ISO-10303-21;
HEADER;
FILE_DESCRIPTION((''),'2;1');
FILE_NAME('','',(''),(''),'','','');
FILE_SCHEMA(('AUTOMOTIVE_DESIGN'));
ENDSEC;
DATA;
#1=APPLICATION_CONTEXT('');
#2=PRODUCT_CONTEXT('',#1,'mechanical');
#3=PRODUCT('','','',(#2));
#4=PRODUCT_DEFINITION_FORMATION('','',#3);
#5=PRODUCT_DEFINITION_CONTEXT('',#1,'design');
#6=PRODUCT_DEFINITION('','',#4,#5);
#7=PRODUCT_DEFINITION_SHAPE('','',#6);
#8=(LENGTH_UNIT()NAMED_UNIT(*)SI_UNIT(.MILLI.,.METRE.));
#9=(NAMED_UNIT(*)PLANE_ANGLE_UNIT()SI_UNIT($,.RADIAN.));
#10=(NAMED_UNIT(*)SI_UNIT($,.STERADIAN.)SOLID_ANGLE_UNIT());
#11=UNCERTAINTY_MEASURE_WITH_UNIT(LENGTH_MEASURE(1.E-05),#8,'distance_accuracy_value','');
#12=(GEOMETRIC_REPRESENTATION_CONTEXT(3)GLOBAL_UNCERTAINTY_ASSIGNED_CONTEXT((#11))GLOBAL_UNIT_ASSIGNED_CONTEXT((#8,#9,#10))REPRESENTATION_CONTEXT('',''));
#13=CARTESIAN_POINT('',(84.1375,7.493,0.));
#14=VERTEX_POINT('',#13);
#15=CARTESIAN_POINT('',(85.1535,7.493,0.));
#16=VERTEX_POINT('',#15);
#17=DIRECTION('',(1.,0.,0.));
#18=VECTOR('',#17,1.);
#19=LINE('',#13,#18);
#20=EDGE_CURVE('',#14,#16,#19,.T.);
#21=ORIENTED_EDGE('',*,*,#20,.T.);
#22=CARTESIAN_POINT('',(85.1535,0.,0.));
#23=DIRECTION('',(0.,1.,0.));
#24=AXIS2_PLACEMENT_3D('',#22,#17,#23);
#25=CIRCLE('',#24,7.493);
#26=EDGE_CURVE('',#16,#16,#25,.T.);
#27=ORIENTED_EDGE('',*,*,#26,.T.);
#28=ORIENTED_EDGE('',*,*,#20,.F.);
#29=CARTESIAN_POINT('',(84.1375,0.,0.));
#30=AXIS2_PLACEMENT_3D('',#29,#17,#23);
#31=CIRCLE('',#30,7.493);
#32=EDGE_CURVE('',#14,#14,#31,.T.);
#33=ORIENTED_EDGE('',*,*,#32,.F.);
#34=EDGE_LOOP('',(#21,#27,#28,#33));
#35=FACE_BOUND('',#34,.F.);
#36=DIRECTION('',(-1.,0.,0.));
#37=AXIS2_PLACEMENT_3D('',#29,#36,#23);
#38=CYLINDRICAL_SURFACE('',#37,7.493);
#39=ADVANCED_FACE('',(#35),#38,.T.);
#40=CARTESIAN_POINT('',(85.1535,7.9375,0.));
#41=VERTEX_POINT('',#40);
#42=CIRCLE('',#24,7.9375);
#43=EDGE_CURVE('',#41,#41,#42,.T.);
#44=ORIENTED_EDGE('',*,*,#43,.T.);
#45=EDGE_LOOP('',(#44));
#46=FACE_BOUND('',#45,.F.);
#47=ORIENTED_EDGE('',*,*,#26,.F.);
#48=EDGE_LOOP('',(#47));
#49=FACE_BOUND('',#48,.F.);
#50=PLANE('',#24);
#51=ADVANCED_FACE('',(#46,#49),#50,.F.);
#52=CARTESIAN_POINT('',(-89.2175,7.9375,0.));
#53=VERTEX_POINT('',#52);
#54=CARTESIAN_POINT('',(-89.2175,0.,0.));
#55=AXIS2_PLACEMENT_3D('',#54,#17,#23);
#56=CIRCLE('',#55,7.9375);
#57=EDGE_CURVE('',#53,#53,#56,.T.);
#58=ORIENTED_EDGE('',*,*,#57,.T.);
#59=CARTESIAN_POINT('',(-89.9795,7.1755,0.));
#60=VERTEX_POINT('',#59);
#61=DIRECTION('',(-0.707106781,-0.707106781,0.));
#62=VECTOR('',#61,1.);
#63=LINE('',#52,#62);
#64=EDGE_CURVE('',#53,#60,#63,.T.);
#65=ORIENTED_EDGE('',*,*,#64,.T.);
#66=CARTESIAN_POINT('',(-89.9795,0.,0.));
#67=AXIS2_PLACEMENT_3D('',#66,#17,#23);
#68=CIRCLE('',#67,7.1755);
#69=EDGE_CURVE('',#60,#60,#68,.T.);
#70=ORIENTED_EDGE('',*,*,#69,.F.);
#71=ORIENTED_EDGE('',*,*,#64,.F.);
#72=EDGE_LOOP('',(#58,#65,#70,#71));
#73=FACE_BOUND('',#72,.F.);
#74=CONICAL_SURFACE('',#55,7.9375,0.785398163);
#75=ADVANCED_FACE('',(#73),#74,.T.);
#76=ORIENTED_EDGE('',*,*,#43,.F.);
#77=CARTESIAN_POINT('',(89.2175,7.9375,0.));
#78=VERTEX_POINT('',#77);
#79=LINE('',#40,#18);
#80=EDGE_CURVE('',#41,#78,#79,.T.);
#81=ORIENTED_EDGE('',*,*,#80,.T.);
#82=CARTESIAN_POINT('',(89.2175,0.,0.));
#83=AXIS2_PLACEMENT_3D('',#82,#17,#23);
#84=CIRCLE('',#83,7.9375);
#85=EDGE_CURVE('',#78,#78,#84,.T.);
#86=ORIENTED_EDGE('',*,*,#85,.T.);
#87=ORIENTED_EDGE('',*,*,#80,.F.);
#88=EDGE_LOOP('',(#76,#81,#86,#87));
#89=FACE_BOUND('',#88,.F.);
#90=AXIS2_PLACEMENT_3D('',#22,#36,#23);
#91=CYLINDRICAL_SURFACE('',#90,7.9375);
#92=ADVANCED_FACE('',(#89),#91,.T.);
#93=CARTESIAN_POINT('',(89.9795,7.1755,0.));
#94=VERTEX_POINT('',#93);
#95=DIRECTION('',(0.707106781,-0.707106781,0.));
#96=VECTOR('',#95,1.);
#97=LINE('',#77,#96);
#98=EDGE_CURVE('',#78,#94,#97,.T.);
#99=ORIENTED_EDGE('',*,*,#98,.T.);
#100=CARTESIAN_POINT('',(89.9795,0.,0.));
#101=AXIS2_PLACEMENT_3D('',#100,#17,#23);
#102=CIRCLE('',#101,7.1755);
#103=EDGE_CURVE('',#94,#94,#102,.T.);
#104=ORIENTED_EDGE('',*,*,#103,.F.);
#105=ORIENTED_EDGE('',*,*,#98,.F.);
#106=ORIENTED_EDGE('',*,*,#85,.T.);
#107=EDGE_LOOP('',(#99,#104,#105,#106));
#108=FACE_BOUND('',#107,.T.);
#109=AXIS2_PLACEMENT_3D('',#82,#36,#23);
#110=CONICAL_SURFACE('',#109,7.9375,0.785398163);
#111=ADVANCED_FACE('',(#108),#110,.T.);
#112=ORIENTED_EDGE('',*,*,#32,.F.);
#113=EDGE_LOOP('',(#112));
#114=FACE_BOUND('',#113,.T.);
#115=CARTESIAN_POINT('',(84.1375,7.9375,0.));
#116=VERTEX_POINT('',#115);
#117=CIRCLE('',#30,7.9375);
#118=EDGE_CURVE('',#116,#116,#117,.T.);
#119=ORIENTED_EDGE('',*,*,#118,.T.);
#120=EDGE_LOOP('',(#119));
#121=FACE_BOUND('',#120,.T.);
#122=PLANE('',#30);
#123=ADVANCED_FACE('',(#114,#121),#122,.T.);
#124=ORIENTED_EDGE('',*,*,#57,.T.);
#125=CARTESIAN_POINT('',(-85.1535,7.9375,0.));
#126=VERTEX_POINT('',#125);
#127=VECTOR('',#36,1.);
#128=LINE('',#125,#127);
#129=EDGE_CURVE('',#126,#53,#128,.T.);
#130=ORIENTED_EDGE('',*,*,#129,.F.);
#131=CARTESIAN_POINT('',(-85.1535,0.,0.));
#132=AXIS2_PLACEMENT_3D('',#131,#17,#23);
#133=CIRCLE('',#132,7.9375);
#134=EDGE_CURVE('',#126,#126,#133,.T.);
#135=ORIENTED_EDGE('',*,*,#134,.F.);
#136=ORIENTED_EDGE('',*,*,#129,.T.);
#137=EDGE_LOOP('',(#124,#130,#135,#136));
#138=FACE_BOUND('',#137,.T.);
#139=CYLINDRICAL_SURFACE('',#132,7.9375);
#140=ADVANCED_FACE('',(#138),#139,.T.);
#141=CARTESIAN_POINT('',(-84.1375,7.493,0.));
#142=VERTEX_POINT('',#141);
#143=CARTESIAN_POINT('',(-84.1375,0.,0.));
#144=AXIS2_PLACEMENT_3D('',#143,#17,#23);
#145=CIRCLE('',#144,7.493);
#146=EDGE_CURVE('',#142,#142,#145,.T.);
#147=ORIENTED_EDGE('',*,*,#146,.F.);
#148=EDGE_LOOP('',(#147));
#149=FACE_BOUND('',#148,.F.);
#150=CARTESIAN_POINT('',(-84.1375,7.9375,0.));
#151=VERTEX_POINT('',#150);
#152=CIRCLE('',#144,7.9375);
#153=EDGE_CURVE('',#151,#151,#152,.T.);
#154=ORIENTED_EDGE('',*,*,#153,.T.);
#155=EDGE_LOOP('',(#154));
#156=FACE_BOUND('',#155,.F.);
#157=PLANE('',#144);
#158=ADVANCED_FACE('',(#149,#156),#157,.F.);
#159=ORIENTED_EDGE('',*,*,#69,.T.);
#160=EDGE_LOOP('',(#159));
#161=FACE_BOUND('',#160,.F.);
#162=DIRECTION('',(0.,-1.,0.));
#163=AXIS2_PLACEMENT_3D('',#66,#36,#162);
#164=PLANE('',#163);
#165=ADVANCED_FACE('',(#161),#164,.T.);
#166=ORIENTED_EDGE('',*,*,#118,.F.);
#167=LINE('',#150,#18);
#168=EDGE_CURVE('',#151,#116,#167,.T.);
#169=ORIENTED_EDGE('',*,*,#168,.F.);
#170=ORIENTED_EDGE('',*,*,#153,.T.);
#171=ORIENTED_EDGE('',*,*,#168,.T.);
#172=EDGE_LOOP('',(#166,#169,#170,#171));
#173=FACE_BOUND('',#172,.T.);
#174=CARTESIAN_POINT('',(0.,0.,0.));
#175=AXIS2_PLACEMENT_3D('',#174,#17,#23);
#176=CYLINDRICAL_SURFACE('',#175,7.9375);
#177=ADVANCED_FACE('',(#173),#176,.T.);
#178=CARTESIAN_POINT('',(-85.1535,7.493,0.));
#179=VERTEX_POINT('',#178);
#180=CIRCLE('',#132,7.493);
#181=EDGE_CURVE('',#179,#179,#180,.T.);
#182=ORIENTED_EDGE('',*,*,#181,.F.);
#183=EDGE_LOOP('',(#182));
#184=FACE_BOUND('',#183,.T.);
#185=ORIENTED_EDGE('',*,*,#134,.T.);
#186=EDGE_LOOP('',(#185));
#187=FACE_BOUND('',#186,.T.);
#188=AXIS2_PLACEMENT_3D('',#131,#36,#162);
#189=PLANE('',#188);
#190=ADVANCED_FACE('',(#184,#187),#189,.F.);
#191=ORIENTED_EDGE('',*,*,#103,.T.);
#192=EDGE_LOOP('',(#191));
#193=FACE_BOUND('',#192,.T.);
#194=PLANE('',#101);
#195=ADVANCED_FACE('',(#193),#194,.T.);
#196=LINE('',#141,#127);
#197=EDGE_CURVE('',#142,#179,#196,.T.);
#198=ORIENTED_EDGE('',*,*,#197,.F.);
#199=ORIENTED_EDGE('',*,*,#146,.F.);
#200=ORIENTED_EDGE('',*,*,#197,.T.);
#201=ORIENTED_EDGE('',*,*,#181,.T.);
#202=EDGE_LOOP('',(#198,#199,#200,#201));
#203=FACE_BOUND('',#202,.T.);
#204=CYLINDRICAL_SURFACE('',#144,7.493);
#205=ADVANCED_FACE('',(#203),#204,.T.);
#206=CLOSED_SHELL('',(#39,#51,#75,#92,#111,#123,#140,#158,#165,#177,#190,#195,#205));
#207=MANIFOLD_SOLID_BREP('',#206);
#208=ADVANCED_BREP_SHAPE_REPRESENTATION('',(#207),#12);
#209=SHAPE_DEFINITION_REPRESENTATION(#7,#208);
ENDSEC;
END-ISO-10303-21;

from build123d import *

# Parameters (mm, degrees)
F0_R     = 7.9375
F1_DEPTH = 84.1375
F2_R     = 7.493
F3_DEPTH = 1.016
F4_R     = 7.9375
F5_DEPTH = 4.826
F6_SIZE  = 0.762


with BuildPart() as f1:
    # F0 (on Right) → F1 (new body, symmetric)
    with BuildSketch(Plane.YZ):
        Circle(F0_R)
    extrude(amount=F1_DEPTH, both=True)

    # F2 (on face) → F3 (join)
    with BuildSketch(Plane.YZ.offset(84.1375)):
        Circle(F2_R)
    extrude(amount=F3_DEPTH)

    # F4 (on face) → F5 (join)
    with BuildSketch(Plane.YZ.offset(85.1535)):
        Circle(F4_R)
    extrude(amount=F5_DEPTH)

    # F6
    f6_edges = [f1.edges().sort_by_distance(p)[0] for p in [
        (89.9795, -7.9375, 0),
    ]]
    chamfer(f6_edges, length=F6_SIZE)

    # F7: F1 across plane


with BuildPart() as f1_1:
    add(f1.part)
    add(f1.part.mirror(Plane.YZ))


solid = f1_1.part
